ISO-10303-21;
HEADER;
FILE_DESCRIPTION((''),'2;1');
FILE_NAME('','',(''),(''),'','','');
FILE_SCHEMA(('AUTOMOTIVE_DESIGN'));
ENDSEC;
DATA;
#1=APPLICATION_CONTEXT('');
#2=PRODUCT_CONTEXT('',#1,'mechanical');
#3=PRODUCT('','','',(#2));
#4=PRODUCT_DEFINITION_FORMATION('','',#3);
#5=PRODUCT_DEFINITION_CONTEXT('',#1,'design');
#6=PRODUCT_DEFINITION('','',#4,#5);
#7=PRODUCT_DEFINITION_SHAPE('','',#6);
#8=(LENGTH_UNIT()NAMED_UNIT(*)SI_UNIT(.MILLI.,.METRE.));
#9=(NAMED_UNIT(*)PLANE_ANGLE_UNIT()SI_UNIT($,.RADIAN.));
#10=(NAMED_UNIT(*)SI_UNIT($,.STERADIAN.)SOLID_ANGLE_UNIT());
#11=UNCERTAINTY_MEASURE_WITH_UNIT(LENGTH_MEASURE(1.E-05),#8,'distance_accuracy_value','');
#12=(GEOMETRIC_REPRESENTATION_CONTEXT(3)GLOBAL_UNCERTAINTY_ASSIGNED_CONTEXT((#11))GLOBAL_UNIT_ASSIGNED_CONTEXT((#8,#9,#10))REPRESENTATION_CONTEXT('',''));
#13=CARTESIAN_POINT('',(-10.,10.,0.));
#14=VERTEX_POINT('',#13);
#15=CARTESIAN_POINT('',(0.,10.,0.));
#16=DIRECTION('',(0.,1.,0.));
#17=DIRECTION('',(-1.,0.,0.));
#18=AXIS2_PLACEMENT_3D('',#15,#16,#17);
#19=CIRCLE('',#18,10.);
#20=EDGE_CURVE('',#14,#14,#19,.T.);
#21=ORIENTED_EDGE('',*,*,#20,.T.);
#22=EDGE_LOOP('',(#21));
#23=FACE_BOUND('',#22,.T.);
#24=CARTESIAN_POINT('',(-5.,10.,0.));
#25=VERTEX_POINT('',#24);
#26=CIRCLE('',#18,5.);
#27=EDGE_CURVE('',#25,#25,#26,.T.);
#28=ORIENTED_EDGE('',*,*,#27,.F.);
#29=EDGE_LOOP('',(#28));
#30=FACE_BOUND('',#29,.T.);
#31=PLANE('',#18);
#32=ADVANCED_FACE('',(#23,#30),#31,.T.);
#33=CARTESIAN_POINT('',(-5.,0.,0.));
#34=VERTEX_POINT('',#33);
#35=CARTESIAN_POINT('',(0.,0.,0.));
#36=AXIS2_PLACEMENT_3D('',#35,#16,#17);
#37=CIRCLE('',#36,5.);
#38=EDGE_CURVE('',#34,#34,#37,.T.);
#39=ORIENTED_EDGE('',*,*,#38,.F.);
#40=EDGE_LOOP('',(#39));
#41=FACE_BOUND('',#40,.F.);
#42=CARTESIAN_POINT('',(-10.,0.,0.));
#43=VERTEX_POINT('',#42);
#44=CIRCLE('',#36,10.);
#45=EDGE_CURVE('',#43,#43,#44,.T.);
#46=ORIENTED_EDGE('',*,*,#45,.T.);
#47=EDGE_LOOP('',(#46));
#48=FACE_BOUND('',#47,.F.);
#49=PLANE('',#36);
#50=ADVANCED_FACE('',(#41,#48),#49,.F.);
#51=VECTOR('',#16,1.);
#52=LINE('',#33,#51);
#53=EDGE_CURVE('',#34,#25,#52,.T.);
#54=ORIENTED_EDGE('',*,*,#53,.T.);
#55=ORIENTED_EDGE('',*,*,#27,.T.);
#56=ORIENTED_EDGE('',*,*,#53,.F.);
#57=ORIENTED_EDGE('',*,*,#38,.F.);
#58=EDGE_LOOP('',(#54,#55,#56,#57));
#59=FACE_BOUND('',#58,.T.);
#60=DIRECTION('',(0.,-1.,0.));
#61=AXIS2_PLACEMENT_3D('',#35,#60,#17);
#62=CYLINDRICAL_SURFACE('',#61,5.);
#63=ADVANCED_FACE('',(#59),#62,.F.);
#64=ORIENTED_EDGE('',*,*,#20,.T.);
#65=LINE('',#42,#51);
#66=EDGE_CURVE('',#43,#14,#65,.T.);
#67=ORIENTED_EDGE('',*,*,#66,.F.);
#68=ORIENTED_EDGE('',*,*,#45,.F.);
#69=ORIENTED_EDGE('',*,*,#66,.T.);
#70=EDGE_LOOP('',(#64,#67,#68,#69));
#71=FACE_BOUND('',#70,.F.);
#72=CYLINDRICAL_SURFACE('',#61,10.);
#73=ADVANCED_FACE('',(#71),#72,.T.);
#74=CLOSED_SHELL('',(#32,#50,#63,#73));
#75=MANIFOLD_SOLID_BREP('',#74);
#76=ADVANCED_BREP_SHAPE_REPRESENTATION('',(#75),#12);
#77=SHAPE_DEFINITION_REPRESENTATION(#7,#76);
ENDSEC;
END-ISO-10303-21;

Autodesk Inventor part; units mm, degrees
ref_plane "YZ Plane" through (0, 0, 0) normal (1, 0, 0) x (0, 1, 0)
ref_plane "XZ Plane" through (0, 0, 0) normal (0, 1, 0) x (-1, 0, 0)
ref_plane "XY Plane" through (0, 0, 0) normal (0, 0, 1) x (1, 0, 0)
sketch "草图1" plane through (0, 0, 0) normal (0, 1, 0) x (-1, 0, 0)
  circle A0 centre (0, 0) radius 10
  circle A1 centre (0, 0) radius 5
  dimension "d0" = 20
  dimension "d3" = 10
extrude "拉伸1" add sketch "草图1" along normal blind 10
equation "\"d0\" = d1"
equation "\"d3\" = d2"
equation "\"d4\" = h1"
equation "\"d1\" = 20"
equation "\"d2\" = 10"
equation "\"h1\" = 10"
properties part number "垫圈"
